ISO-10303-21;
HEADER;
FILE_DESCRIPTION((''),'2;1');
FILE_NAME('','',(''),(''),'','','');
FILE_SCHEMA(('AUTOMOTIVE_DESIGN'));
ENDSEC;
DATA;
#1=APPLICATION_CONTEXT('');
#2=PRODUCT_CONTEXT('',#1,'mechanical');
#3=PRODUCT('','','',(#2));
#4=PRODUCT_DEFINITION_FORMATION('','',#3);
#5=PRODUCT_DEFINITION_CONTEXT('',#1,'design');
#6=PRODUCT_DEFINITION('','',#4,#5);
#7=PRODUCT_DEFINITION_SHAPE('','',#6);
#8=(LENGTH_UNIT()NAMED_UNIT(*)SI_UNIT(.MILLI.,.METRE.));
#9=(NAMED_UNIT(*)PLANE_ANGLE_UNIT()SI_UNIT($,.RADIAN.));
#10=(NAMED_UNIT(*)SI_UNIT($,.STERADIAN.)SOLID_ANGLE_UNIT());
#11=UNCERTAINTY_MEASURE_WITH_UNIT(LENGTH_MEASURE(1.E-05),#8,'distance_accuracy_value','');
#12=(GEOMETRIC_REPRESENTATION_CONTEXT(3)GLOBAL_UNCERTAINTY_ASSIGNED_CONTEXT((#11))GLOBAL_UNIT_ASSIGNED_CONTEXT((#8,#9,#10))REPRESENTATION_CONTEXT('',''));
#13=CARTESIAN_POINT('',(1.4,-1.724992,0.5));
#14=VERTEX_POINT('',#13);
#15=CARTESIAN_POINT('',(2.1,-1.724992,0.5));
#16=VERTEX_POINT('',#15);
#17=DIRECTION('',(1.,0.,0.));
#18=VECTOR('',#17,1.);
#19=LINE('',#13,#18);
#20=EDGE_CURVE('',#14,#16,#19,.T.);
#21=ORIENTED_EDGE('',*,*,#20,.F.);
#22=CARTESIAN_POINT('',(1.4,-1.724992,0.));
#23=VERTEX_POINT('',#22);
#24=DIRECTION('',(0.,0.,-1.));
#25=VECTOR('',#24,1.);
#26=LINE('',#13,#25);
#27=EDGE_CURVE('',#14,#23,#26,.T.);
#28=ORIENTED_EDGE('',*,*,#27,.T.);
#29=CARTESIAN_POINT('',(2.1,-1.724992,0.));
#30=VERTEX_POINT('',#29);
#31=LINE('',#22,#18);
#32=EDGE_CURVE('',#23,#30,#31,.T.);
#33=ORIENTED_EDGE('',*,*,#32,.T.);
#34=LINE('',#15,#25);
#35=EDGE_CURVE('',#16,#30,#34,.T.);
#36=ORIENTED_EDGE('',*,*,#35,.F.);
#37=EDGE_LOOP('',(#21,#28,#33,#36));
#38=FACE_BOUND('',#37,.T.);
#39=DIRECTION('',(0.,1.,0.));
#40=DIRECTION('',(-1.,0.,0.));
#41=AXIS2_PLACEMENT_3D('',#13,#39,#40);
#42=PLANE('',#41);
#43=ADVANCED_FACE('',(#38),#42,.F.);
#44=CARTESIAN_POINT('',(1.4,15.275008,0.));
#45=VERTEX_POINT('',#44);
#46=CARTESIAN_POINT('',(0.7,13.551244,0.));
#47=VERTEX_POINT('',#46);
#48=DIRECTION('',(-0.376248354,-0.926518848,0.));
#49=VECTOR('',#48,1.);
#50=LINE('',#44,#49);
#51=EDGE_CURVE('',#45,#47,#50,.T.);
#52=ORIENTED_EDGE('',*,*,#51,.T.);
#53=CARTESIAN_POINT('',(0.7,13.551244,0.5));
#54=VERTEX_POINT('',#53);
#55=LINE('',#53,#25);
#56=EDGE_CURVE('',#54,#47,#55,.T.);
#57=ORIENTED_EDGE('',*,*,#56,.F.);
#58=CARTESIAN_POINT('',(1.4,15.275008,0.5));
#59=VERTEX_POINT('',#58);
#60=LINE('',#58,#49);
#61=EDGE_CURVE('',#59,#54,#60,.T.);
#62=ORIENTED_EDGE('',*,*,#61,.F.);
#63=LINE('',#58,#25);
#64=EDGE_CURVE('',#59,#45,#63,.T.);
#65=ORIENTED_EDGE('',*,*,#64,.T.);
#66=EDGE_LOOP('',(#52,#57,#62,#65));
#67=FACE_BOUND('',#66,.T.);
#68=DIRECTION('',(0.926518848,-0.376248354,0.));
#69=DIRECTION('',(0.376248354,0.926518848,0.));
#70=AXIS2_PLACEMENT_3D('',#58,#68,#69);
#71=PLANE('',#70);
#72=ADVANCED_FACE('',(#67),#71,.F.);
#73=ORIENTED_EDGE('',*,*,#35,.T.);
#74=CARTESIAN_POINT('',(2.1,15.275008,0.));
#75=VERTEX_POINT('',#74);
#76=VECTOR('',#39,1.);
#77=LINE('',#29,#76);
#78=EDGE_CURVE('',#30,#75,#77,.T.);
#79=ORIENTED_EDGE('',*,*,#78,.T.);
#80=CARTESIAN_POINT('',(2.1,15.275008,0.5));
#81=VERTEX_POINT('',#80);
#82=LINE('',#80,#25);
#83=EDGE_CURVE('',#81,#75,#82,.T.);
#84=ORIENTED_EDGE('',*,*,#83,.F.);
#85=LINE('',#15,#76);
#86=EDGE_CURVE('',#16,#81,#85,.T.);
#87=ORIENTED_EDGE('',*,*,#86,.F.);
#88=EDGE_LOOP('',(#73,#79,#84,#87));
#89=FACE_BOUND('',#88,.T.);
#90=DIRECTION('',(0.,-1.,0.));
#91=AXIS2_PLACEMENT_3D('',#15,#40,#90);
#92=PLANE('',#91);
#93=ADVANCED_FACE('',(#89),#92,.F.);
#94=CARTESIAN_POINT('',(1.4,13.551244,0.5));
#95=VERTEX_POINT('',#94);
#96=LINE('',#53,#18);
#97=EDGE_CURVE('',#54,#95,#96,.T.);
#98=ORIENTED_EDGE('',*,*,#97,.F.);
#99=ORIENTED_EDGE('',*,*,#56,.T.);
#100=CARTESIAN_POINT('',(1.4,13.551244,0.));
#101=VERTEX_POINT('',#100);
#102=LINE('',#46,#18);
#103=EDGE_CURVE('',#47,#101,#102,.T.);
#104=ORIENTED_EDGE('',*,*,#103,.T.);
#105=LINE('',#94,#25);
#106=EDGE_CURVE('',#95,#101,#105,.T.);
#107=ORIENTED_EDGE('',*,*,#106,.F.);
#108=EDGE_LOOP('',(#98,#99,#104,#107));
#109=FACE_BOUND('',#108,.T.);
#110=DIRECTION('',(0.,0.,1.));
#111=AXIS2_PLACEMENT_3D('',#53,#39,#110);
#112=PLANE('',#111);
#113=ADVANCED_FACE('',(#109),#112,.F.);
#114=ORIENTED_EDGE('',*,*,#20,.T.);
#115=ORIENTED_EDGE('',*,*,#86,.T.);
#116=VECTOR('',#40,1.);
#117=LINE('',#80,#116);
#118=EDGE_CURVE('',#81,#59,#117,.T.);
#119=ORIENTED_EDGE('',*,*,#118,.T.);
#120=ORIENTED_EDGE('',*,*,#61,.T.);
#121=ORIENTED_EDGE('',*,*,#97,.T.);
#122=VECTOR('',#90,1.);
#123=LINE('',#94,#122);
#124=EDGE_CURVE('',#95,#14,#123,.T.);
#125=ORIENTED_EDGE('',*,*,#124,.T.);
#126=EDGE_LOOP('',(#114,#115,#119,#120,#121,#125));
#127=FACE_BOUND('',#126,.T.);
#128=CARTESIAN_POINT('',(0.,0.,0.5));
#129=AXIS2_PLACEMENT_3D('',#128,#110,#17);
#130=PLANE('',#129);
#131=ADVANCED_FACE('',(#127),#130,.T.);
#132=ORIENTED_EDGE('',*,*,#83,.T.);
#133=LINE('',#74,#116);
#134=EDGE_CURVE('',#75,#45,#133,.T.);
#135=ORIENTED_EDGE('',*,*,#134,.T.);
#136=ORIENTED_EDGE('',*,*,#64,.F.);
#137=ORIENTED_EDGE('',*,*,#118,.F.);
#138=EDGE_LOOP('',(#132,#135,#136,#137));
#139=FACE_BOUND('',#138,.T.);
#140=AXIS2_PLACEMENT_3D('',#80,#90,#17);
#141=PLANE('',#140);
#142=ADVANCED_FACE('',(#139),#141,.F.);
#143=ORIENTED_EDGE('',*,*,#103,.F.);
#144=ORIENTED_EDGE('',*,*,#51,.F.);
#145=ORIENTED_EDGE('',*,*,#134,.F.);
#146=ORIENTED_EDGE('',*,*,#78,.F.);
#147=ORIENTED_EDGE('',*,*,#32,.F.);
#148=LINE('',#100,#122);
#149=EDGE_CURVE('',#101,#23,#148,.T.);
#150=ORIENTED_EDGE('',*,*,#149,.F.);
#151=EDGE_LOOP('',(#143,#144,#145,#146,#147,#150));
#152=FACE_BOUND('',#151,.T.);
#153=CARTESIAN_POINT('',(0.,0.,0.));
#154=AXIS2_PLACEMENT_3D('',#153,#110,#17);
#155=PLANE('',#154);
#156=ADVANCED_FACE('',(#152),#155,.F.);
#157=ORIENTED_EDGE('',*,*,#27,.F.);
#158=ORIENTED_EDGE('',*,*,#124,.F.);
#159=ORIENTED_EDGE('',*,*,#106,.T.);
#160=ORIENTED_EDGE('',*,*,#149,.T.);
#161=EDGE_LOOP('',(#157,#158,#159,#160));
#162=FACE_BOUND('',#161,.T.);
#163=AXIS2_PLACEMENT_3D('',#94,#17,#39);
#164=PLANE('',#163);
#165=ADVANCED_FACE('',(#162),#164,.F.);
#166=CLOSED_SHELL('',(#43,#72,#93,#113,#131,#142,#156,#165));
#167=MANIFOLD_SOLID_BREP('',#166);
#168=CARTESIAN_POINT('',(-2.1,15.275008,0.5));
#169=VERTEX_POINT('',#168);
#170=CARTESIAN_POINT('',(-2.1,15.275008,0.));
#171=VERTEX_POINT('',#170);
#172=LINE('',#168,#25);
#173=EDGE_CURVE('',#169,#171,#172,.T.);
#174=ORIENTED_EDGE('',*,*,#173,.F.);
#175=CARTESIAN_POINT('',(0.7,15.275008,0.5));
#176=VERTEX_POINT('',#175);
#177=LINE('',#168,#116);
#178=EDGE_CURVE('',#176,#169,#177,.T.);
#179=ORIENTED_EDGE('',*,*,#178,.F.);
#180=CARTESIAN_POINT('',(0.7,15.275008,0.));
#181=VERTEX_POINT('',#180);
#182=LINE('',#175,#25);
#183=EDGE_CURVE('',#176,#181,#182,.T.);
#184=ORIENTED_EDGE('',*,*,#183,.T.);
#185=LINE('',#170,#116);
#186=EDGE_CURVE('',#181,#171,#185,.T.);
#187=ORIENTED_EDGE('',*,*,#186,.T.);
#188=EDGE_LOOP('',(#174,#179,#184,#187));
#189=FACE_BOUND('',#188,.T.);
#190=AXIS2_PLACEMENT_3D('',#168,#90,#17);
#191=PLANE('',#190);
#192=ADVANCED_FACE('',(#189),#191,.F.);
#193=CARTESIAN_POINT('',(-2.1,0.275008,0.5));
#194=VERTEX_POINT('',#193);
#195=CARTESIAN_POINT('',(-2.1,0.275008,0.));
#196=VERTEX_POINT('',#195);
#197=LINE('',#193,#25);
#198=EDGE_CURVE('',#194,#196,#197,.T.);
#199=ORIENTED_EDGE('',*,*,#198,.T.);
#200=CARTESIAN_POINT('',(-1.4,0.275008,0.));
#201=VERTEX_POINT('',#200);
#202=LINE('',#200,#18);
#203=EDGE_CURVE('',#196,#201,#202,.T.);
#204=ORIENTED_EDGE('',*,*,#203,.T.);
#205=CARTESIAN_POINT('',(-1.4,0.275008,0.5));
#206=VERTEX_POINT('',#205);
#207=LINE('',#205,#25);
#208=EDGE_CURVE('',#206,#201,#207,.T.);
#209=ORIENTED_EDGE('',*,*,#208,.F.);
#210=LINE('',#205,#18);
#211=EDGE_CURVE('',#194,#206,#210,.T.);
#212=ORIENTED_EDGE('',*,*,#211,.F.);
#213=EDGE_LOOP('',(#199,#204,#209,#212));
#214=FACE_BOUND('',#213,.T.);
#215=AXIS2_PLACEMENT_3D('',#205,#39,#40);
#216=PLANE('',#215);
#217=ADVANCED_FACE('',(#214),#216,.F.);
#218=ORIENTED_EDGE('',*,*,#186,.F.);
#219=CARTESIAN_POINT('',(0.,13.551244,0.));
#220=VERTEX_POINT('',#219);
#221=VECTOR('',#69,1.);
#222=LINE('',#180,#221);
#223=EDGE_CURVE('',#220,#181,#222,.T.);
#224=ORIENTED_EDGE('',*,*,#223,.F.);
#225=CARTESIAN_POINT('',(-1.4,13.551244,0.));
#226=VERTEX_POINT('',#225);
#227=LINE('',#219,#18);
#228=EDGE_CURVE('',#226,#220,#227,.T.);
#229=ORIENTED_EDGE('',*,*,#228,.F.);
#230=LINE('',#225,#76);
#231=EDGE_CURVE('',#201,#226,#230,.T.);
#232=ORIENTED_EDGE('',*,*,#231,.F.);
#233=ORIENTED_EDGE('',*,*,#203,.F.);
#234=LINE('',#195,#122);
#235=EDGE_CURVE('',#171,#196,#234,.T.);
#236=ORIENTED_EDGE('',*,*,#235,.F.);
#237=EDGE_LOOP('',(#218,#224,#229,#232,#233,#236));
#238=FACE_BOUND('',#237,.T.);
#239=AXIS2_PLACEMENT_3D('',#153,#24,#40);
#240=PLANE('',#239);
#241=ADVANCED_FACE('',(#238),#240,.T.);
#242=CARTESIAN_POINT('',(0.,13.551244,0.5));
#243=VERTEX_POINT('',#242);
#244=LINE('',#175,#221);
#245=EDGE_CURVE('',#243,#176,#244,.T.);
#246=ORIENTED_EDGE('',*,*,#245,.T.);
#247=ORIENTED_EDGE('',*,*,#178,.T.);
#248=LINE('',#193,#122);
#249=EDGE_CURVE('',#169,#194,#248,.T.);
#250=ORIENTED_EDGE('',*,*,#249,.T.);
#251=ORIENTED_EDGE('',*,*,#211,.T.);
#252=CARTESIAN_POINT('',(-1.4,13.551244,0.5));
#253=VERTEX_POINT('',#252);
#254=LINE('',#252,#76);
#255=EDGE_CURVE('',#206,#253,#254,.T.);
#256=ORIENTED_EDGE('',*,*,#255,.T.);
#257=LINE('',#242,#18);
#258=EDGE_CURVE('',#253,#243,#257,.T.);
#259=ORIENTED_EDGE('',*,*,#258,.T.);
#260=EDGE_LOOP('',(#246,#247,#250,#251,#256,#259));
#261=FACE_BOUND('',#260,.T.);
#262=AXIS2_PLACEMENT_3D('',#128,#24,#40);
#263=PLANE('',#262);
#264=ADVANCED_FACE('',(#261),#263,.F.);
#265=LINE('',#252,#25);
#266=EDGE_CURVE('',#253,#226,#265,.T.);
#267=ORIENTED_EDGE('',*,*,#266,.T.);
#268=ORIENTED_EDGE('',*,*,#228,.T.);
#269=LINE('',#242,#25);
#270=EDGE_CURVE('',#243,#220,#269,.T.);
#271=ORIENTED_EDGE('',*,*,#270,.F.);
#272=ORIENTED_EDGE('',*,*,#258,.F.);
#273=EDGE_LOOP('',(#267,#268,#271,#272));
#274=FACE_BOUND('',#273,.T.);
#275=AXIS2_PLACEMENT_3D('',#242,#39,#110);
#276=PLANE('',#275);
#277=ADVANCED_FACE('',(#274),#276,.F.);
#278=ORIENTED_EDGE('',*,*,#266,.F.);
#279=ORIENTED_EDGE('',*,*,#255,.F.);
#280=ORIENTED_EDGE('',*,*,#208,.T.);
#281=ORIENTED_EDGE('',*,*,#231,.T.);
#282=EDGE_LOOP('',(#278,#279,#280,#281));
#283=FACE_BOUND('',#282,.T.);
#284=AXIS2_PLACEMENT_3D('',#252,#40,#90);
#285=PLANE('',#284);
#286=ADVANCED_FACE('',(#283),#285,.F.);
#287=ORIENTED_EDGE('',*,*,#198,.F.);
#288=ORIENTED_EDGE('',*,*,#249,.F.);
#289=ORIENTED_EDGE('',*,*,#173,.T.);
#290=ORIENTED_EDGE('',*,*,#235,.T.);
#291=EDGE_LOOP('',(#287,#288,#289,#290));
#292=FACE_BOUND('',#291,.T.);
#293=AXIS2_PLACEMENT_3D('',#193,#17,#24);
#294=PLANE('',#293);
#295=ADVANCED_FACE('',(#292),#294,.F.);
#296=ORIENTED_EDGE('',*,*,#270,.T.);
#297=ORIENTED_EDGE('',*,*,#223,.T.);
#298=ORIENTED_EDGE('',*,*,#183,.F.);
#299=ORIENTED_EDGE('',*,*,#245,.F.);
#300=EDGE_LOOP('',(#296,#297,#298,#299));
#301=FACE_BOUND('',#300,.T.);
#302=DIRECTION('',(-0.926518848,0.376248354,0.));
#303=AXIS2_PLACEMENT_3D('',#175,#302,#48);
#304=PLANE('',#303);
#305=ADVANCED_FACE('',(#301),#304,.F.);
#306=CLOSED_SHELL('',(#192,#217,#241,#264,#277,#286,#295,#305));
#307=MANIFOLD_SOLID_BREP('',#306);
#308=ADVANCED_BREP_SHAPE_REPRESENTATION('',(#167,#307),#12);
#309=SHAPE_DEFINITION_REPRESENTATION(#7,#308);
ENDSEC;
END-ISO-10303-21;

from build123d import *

# Parameters (mm, degrees)
EXTRUDE2_DEPTH   = 0.5
EXTRUDE2_2_DEPTH = 0.5


with BuildPart() as part:
    # Sketch2 → Extrude2 (new body)
    with BuildSketch(Plane.XY):
        Polygon((2.1, -1.724992027), (2.1, 15.275007973), (1.4, 15.275007973), (0.7, 13.551244435), (1.4, 13.551244435), (1.4, -1.724992027), align=None)
    extrude(amount=EXTRUDE2_DEPTH)


with BuildPart() as body_2:
    # Sketch2 → Extrude2 2 (new body)
    with BuildSketch(Plane.XY):
        Polygon((0.7, 15.275007973), (0, 13.551244435), (-1.4, 13.551244435), (-1.4, 0.275007973), (-2.1, 0.275007973), (-2.1, 15.275007973), align=None)
    extrude(amount=EXTRUDE2_2_DEPTH)


solid = Compound([part.part, body_2.part])
